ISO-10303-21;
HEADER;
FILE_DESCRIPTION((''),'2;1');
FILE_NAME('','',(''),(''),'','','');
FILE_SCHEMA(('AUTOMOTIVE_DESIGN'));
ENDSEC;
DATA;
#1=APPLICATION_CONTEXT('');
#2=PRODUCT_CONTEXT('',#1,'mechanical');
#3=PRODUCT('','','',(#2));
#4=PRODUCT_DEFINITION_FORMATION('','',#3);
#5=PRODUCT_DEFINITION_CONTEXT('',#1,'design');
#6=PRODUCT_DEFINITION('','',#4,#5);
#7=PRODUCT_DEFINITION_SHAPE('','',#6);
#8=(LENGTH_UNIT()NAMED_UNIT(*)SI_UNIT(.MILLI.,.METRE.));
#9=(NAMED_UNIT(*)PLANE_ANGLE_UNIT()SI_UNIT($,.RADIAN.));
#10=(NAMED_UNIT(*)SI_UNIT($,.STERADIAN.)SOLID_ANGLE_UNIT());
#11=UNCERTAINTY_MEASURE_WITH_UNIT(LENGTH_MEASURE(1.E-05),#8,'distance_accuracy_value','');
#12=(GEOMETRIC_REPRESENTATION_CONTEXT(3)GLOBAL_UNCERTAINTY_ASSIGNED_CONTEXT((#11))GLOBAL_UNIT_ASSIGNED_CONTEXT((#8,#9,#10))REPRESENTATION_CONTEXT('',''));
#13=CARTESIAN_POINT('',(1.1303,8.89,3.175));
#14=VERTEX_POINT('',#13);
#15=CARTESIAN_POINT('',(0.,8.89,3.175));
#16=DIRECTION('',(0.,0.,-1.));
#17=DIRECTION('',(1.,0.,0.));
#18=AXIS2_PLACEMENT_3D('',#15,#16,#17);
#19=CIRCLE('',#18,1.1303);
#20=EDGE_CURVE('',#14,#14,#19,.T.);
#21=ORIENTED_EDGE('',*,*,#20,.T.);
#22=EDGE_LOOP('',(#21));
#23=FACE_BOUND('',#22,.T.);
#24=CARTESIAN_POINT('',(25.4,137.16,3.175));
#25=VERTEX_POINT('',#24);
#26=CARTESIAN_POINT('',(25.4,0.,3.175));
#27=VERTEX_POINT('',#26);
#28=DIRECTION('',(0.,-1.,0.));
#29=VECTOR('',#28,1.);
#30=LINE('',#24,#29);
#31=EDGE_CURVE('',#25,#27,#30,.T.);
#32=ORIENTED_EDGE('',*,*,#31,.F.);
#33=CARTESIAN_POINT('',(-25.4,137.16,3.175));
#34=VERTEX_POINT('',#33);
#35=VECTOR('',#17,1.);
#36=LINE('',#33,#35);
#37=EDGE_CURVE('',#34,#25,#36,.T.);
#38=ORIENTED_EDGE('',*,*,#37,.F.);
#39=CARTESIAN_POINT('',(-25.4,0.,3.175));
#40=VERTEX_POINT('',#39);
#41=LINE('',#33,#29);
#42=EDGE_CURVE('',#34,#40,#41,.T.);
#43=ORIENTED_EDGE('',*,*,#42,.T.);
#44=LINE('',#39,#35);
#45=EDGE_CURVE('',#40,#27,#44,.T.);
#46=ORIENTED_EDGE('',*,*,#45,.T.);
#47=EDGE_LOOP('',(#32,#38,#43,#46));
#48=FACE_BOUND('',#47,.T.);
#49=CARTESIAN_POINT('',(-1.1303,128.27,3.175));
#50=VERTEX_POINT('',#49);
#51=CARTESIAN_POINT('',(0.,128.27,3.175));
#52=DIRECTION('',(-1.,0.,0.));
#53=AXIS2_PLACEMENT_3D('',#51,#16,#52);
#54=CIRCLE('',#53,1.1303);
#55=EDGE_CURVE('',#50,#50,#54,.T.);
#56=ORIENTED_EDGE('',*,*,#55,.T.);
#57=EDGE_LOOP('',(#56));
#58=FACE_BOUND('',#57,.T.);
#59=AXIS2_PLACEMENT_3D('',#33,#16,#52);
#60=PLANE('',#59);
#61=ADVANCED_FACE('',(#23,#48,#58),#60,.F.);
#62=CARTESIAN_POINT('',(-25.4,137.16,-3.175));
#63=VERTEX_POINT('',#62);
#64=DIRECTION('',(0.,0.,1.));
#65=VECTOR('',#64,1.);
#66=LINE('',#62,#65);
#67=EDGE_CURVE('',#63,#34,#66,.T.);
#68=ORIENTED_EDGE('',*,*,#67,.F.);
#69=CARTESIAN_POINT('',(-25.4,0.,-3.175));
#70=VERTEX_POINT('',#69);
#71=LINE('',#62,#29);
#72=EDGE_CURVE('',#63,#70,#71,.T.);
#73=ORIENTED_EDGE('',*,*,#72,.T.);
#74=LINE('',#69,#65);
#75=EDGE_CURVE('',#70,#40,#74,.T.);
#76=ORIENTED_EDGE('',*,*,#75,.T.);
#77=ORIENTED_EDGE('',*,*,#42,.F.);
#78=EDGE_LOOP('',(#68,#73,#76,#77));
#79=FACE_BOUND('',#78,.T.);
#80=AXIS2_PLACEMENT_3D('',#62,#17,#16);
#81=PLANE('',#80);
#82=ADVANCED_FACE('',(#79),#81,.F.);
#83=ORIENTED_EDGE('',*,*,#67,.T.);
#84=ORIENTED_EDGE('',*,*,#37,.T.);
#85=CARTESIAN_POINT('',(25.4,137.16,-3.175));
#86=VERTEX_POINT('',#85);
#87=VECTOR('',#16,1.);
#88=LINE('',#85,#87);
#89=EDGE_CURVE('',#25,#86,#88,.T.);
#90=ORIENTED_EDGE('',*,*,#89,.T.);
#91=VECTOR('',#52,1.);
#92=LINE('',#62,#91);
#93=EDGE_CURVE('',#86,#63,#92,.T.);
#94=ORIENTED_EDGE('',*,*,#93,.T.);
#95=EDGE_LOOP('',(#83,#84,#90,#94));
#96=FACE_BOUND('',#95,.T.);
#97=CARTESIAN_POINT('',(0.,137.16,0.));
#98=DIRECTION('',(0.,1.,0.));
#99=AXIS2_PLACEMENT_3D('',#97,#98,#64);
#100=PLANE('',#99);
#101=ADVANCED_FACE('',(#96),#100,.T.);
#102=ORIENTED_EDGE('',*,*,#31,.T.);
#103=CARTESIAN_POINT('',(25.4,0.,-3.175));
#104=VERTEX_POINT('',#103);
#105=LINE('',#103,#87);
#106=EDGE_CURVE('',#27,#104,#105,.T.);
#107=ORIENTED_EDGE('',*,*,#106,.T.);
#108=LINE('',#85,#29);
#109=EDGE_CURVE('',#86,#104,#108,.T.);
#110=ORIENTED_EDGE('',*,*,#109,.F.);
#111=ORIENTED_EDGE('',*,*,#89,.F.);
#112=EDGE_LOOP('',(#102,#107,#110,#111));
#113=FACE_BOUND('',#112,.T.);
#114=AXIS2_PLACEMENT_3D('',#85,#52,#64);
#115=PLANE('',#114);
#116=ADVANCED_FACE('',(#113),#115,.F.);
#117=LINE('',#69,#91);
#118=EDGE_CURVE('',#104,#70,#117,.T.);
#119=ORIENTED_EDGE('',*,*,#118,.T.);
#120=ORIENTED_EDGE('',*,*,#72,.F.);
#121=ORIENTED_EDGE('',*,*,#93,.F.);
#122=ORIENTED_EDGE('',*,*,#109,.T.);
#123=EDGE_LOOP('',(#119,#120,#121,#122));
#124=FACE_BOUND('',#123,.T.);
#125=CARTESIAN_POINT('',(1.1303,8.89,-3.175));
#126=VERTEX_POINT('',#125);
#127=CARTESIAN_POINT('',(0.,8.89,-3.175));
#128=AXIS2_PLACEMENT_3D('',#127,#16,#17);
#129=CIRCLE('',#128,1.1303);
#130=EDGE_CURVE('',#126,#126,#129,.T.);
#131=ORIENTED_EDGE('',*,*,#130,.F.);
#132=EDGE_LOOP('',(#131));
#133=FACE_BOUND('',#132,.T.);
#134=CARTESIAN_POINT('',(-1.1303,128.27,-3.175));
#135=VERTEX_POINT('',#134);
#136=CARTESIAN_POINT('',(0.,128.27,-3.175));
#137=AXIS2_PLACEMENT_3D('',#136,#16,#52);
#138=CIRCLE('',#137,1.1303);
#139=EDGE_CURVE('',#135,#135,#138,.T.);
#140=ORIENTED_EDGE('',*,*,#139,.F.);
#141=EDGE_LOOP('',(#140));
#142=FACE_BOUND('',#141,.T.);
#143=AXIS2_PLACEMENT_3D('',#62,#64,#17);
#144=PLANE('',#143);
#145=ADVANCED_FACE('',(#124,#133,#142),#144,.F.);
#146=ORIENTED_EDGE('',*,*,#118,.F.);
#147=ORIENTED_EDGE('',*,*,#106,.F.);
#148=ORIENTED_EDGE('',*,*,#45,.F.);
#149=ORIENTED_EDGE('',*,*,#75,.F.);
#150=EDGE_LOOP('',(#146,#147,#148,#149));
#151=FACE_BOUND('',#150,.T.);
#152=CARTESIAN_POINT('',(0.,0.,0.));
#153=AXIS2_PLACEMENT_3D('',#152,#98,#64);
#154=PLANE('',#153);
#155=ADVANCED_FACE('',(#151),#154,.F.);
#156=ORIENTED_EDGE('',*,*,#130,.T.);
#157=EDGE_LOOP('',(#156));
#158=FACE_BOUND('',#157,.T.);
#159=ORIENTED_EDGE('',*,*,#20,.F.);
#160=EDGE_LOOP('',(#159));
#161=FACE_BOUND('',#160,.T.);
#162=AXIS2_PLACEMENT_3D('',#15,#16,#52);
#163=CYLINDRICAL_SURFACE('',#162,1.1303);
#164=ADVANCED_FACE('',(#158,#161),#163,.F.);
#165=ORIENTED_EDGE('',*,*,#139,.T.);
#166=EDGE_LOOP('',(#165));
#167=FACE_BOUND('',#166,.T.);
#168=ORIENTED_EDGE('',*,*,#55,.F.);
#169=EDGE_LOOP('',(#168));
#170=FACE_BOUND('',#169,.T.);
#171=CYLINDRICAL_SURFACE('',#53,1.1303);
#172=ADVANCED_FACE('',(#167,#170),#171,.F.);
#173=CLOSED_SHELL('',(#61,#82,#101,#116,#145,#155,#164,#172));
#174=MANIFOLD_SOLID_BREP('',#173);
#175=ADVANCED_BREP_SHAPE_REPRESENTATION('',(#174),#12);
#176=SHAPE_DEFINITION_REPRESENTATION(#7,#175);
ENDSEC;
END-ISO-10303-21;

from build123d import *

# Parameters (mm, degrees)
SKETCH1_W           = 50.8
SKETCH1_H           = 6.35
BOSS_EXTRUDE1_DEPTH = 137.16
SKETCH2_R           = 1.1303
CUT_EXTRUDE1_DEPTH  = 140.636485562


with BuildPart() as part:
    # Sketch1 → Boss-Extrude1 (new body)
    with BuildSketch(Plane(origin=(0, 0, 0), x_dir=(1, 0, 0), z_dir=(0, 1, 0))):
        Rectangle(SKETCH1_W, SKETCH1_H)
    extrude(amount=BOSS_EXTRUDE1_DEPTH)

    # Sketch2 → Cut-Extrude1 (cut, through all)
    with BuildSketch(Plane(origin=(0, 0, -3.175), x_dir=(-1, 0, 0), z_dir=(0, 0, -1))):
        with Locations((0, 128.27)):
            Circle(SKETCH2_R)
        with Locations(Location((0, 8.89, 0), (0, 0, 180))):
            Circle(SKETCH2_R)
    extrude(amount=-CUT_EXTRUDE1_DEPTH, mode=Mode.SUBTRACT)


solid = part.part
